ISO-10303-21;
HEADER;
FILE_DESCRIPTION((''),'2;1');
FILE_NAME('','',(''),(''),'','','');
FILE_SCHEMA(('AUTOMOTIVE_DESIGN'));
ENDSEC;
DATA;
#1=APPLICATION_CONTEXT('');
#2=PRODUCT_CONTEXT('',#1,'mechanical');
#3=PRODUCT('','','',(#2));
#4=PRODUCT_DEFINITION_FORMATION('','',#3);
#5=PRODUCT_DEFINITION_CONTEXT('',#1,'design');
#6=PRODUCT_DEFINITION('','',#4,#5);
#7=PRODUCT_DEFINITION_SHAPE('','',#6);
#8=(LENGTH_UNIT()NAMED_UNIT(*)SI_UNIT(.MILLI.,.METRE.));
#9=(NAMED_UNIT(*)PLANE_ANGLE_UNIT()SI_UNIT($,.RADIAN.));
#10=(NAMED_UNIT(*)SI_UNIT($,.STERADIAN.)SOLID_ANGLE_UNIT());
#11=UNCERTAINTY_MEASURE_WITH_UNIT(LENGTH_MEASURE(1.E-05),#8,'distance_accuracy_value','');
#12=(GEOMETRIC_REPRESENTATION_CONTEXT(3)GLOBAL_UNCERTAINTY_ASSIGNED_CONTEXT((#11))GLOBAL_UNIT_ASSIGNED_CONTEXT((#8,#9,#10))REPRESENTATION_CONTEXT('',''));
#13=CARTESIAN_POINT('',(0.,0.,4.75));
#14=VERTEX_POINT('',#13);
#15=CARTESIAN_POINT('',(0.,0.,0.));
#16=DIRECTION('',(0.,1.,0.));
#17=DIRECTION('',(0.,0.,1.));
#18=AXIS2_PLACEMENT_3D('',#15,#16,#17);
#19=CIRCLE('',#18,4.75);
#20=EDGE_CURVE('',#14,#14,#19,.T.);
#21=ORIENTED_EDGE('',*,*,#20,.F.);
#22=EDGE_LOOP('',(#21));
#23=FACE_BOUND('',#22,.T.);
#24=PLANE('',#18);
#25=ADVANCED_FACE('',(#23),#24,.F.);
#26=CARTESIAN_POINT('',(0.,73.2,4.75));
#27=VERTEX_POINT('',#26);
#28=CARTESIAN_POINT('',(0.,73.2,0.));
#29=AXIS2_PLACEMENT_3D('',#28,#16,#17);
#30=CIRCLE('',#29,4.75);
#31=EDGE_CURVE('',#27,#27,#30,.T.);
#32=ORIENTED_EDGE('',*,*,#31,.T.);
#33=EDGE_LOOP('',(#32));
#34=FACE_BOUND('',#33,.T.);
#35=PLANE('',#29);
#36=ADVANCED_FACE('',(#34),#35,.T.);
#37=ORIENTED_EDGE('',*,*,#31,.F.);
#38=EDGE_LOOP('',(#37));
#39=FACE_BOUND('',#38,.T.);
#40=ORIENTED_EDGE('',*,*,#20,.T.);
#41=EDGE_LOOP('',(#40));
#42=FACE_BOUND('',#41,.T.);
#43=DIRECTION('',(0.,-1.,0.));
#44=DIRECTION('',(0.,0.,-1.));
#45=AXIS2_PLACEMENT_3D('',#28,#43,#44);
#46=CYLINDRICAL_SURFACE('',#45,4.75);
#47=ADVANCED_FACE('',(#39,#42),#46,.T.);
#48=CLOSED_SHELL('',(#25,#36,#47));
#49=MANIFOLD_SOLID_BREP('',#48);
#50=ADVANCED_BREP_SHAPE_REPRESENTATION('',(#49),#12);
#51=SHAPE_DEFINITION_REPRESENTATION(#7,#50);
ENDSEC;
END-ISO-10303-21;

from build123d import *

# Parameters (mm, degrees)
SKETCH1_R           = 4.75
BOSS_EXTRUDE1_DEPTH = 73.2


with BuildPart() as part:
    # Sketch1 → Boss-Extrude1 (new body)
    with BuildSketch(Plane(origin=(0, 0, 0), x_dir=(1, 0, 0), z_dir=(0, 1, 0))):
        with Locations(Location((0, 0, 0), (0, 0, 270))):
            Circle(SKETCH1_R)
    extrude(amount=BOSS_EXTRUDE1_DEPTH)


solid = part.part
